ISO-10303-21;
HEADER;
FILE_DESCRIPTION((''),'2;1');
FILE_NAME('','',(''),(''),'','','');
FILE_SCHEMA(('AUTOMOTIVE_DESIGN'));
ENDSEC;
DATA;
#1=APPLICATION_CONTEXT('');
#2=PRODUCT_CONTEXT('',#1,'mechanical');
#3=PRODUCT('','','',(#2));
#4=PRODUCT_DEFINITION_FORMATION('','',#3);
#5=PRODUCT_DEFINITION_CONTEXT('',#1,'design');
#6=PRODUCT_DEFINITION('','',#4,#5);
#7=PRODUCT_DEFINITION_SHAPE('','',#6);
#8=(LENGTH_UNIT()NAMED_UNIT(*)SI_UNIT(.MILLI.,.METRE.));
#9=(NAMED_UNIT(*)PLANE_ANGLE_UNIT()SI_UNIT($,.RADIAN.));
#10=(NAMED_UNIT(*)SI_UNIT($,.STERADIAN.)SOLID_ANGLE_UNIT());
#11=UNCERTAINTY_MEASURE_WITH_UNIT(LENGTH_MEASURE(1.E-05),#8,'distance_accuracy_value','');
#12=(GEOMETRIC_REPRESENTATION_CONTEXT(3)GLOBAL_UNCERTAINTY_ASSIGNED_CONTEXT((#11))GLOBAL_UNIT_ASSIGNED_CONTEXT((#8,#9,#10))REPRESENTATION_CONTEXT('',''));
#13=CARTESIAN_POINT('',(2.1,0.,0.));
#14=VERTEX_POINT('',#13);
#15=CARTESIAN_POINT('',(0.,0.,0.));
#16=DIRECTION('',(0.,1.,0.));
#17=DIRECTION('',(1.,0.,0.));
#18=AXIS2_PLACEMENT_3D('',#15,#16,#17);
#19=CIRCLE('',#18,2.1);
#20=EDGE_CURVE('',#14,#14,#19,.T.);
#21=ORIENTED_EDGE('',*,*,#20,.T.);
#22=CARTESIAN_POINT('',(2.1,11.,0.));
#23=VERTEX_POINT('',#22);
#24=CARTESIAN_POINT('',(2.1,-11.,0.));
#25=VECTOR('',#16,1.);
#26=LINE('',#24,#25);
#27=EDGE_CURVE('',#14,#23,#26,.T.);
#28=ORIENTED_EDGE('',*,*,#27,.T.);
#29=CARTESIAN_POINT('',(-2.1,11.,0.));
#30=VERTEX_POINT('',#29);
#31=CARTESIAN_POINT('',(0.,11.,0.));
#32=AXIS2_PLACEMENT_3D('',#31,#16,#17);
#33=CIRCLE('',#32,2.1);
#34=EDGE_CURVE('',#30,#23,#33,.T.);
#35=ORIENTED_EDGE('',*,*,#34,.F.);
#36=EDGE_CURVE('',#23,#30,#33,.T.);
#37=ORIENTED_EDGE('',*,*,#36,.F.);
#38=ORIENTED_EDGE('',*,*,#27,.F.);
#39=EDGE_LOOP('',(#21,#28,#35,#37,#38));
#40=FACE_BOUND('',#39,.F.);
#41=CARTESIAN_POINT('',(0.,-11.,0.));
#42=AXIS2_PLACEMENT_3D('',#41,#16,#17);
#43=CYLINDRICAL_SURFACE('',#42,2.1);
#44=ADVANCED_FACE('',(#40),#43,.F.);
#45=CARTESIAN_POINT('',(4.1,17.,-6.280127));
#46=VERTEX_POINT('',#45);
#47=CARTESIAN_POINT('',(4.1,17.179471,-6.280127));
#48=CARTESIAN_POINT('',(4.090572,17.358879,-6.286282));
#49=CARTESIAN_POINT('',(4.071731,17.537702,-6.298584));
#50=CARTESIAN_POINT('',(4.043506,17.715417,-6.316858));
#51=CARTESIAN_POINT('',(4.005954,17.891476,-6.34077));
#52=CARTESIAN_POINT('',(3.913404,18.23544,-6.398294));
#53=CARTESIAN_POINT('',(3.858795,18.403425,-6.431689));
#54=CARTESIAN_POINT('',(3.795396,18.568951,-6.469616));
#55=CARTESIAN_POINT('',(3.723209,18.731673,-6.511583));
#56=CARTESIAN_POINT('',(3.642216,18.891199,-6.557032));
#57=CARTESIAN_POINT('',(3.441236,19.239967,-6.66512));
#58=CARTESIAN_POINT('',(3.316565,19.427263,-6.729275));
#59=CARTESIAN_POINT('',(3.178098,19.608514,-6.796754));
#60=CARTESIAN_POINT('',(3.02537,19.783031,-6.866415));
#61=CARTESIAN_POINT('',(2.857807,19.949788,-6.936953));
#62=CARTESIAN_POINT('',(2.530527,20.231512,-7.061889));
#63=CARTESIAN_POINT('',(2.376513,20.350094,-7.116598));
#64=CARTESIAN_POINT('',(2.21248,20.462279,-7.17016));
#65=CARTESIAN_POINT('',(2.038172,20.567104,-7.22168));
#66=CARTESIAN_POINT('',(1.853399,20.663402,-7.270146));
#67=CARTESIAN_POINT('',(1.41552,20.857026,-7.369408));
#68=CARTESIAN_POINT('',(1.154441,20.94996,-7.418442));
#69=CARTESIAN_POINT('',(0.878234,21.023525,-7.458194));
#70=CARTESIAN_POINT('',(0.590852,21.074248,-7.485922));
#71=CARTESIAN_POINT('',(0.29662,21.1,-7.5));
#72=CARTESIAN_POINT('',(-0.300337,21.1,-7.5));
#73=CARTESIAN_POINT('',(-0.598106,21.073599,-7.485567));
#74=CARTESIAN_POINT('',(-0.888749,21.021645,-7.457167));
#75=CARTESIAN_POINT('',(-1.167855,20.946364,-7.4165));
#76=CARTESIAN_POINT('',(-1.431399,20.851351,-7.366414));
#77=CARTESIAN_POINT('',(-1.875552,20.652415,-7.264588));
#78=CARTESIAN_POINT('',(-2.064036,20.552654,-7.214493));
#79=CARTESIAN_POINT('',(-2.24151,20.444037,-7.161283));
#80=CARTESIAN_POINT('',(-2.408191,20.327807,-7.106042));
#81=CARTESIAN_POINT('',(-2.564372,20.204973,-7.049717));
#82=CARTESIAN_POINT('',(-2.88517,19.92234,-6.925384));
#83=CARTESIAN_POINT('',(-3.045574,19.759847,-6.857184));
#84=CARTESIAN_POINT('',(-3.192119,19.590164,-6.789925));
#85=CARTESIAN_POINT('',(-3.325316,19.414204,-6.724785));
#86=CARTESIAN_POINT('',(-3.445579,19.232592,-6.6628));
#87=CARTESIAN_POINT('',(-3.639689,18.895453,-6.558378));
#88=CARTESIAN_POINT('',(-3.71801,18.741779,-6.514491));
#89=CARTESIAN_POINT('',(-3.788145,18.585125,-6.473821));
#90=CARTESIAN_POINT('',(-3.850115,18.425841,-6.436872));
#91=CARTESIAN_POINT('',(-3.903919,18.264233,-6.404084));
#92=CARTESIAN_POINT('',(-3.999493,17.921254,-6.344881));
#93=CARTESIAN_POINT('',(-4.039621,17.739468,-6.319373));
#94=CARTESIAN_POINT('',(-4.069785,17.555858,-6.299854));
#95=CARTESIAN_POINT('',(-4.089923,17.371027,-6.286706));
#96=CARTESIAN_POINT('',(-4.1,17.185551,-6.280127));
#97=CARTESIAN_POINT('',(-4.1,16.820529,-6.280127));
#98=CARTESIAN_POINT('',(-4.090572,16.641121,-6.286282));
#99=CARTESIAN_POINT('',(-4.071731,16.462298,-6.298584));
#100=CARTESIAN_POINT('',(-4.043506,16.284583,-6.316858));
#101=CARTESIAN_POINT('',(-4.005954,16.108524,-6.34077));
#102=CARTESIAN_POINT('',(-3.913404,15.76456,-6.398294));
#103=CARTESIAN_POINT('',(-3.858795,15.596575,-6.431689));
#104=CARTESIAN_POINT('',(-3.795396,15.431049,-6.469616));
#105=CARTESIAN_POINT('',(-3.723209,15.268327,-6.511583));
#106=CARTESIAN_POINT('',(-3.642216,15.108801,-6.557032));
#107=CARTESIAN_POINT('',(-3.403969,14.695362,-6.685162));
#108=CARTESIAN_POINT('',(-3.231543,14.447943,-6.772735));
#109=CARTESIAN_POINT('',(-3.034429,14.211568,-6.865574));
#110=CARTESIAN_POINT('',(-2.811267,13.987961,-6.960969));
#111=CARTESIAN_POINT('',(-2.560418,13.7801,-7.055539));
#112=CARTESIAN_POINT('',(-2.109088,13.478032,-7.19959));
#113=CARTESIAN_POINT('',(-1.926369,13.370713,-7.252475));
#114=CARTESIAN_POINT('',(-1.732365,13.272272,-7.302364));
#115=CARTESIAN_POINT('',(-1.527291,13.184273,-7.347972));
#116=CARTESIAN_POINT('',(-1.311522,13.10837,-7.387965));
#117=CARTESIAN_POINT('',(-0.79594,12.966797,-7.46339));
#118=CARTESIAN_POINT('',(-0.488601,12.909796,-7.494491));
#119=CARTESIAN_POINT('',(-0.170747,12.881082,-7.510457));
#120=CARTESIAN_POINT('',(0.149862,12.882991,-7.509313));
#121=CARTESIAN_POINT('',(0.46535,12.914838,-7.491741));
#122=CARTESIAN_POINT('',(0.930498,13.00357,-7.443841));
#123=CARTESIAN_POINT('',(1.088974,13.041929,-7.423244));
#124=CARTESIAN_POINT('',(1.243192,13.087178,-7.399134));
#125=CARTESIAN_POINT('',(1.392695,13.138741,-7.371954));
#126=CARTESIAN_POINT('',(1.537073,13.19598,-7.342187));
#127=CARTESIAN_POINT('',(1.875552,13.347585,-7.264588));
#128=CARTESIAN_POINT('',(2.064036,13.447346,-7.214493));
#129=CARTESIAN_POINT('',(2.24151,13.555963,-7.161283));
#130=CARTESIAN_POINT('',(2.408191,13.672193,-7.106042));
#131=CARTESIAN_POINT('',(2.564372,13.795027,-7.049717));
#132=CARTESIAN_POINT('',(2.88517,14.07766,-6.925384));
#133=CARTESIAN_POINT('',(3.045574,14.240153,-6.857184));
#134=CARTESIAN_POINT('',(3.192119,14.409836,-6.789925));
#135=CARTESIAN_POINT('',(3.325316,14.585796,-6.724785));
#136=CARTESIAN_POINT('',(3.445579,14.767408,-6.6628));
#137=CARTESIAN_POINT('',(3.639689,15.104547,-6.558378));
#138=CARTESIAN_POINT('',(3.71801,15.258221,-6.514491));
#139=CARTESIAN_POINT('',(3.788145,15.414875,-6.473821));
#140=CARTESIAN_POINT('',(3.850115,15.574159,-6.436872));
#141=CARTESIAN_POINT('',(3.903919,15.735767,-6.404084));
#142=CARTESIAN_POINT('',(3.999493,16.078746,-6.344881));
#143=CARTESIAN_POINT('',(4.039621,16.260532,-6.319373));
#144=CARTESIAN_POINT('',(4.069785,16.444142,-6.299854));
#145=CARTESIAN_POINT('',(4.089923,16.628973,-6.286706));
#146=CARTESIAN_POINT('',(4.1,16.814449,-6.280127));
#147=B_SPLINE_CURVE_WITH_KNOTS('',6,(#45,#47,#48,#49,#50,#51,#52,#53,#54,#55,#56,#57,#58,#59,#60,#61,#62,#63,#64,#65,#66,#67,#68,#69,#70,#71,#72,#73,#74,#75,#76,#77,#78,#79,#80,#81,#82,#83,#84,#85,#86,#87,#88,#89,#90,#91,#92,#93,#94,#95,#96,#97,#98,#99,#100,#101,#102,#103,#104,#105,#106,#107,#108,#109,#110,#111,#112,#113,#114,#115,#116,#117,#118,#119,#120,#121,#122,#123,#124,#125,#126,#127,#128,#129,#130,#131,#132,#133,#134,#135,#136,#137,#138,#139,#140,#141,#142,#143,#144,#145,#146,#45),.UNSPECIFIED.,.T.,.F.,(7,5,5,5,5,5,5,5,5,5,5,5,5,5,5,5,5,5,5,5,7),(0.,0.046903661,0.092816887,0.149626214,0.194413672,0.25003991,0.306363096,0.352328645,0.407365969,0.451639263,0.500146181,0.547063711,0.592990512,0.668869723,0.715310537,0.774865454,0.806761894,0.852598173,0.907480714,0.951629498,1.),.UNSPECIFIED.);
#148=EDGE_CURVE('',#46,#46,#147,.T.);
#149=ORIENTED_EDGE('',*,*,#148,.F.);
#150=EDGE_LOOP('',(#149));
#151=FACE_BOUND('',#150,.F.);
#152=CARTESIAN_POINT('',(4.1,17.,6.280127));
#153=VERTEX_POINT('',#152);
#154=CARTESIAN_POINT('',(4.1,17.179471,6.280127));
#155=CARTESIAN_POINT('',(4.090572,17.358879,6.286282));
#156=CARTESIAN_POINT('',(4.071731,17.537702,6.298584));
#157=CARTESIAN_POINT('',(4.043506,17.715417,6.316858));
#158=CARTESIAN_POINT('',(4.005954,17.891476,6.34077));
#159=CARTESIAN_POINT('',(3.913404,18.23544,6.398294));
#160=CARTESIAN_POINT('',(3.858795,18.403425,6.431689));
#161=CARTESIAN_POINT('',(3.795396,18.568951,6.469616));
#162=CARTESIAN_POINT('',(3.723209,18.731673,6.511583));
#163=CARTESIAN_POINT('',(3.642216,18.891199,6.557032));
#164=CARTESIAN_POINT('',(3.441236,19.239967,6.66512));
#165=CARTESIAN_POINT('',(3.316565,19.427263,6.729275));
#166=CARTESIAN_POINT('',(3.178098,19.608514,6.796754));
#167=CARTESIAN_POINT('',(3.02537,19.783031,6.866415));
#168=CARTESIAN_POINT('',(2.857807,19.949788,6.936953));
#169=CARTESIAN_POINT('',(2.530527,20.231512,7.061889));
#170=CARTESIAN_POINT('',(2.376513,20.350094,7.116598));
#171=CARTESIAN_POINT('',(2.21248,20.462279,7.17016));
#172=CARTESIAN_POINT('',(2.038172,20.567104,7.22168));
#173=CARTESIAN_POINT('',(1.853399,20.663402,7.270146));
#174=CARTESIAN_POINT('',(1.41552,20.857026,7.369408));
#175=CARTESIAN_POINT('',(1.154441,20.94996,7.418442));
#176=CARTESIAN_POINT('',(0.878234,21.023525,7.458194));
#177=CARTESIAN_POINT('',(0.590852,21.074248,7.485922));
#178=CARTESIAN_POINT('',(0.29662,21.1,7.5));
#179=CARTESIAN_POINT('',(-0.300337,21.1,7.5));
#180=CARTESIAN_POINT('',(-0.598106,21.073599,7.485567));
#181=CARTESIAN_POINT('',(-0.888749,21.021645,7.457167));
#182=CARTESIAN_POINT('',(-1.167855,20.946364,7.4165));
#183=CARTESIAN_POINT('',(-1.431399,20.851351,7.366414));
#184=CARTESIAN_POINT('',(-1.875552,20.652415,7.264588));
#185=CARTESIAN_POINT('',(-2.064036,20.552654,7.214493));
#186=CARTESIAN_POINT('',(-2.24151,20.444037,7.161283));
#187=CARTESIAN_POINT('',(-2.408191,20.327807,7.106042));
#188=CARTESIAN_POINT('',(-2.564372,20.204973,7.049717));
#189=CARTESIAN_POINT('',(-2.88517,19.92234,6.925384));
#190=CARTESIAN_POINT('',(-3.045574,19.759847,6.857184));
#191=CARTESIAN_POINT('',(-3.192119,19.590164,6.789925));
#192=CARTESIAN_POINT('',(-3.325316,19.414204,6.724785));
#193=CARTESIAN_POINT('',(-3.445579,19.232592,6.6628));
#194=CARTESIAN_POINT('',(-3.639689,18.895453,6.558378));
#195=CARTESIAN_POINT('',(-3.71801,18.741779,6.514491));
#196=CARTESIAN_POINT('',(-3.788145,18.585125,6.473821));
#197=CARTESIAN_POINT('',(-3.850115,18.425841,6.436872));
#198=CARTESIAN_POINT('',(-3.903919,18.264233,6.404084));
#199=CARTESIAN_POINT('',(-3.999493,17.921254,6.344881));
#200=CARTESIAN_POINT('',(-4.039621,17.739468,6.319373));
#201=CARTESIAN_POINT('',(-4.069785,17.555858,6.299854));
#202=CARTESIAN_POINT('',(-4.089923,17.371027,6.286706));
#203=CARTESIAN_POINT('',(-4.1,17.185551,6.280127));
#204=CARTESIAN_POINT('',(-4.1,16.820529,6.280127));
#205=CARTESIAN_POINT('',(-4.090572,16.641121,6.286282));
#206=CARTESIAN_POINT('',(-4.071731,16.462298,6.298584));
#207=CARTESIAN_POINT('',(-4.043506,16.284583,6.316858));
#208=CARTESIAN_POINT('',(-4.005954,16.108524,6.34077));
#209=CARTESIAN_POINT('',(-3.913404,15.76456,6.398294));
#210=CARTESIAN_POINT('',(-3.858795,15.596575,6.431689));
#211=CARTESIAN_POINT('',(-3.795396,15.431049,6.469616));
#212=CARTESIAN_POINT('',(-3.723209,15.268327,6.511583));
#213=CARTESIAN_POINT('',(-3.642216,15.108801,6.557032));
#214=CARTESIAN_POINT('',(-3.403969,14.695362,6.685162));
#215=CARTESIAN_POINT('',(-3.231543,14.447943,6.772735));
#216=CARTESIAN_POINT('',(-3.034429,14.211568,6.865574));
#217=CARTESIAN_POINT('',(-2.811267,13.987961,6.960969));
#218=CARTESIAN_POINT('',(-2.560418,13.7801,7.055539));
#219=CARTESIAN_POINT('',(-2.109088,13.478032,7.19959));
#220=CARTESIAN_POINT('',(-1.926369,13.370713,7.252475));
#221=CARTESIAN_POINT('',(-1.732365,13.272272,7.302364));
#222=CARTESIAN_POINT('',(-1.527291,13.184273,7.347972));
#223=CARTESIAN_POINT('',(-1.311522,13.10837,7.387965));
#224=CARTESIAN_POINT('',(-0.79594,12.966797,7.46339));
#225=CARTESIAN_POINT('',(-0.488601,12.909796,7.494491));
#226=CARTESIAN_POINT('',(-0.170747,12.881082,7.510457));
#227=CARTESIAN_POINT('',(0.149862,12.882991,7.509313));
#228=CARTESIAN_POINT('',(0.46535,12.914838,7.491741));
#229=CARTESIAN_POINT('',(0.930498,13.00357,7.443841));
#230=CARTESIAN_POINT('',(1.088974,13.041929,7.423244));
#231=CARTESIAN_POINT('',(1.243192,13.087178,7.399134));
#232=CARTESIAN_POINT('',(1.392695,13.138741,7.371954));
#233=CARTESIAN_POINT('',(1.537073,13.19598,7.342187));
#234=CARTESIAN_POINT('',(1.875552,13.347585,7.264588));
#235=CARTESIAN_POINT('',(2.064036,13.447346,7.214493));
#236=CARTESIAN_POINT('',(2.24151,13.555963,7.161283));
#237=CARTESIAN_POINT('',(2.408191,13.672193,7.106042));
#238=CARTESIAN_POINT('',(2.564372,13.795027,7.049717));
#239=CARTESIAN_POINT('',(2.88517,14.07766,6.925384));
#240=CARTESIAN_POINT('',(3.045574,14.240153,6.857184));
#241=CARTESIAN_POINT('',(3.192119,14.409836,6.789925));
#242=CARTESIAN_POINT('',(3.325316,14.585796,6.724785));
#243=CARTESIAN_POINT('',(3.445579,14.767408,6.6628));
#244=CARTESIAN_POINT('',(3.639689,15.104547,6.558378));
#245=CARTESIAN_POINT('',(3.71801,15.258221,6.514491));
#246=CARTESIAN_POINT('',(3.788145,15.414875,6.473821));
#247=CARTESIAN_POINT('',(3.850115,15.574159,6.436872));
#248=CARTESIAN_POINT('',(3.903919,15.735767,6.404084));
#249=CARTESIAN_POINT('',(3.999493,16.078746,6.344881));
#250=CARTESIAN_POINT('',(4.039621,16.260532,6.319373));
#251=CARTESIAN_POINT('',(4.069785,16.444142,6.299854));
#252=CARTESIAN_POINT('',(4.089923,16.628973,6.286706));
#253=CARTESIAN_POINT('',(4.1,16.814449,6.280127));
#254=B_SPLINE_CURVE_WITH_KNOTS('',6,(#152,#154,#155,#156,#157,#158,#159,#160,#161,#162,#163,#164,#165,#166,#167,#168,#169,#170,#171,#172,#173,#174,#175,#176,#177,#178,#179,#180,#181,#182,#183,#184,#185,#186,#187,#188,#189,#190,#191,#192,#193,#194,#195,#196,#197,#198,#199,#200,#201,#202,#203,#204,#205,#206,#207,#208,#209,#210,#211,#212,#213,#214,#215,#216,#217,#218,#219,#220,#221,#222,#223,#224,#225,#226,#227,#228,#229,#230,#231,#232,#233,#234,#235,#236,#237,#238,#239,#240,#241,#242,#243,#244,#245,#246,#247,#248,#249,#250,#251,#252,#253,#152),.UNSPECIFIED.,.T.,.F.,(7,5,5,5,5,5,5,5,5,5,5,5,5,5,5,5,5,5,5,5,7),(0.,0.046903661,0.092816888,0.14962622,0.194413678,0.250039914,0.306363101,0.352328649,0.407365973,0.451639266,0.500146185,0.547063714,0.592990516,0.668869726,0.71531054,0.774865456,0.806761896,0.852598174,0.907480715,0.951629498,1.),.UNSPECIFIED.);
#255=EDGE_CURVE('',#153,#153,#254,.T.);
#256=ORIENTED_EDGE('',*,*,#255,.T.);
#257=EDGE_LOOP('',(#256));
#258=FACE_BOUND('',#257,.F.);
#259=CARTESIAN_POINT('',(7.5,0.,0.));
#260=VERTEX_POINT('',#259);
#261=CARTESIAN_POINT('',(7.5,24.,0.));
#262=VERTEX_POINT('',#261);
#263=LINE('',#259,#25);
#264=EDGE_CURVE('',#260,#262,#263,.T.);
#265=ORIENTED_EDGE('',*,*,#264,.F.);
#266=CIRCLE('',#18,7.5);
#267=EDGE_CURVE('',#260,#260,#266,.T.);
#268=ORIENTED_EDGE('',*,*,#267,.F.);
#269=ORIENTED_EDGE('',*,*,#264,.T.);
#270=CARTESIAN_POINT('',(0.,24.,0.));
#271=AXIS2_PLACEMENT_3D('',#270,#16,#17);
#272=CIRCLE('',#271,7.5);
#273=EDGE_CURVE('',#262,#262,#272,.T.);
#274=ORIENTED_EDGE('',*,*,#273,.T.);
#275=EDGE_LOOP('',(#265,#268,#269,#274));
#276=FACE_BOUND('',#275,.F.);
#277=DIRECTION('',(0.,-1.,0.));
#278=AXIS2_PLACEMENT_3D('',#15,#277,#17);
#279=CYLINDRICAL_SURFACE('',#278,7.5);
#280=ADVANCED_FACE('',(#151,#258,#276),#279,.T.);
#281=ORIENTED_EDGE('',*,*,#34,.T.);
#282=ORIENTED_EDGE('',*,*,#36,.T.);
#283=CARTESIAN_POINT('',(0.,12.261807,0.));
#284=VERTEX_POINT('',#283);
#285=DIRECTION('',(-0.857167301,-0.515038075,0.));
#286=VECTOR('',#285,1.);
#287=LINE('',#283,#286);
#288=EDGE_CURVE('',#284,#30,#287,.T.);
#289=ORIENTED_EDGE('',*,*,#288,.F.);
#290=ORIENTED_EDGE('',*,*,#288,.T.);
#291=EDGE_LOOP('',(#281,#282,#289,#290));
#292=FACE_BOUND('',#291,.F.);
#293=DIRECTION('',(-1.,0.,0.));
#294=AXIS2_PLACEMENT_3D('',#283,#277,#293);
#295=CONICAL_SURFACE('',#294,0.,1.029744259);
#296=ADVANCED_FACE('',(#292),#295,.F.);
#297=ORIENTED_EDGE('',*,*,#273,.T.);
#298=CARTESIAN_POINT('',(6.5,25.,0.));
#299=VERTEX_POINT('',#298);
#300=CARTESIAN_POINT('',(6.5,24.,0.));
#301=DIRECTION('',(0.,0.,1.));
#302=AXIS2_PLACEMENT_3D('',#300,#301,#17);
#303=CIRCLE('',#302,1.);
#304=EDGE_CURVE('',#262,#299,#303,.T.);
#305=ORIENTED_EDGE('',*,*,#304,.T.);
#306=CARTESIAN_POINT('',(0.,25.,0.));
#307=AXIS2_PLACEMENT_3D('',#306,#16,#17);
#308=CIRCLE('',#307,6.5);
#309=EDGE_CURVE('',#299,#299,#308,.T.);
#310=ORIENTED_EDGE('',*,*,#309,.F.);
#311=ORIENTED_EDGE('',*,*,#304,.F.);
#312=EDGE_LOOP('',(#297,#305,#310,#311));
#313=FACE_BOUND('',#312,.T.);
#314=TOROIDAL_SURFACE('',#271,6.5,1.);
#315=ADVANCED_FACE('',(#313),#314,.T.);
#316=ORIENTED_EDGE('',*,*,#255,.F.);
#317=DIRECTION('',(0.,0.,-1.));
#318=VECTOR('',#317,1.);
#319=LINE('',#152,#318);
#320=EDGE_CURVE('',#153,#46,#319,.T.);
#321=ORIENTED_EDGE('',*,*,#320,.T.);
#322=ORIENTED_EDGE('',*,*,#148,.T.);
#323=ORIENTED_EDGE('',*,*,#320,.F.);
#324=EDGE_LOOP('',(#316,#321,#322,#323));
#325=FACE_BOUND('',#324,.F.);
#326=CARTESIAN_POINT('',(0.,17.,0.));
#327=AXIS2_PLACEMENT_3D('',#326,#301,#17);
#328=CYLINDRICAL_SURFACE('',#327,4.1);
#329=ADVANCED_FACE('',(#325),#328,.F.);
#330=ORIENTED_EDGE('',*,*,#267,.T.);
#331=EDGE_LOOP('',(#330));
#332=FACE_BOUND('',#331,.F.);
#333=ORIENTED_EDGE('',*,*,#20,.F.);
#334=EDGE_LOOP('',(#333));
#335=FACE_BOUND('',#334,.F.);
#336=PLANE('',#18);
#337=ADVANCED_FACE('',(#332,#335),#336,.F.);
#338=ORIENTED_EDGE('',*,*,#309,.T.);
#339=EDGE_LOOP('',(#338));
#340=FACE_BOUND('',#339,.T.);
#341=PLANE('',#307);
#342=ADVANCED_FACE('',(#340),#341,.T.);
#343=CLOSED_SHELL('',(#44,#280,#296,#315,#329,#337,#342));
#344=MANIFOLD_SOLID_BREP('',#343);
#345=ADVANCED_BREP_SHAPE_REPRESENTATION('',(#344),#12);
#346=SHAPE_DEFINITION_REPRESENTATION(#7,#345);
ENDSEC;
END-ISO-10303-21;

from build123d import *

# Parameters (mm, degrees)
SKETCH1_R               = 7.5
BOSS_EXTRUDE1_DEPTH     = 25
FILLET1_R               = 1
SKETCH2_R               = 4.1
CUT_EXTRUDE1_DEPTH      = 8.5
CUT_EXTRUDE1_DEPTH_BACK = 8.5
M5_TAPPED_HOLE1_D       = 4.2
M5_TAPPED_HOLE1_DEPTH   = 11
M5_TAPPED_HOLE1_TIP     = 1.2618073


with BuildPart() as part:
    # Sketch1 → Boss-Extrude1 (new body)
    with BuildSketch(Plane(origin=(0, 0, 0), x_dir=(1, 0, 0), z_dir=(0, 1, 0))):
        Circle(SKETCH1_R)
    extrude(amount=BOSS_EXTRUDE1_DEPTH)

    # Fillet1
    fillet1_edges = [part.edges().sort_by_distance(p)[0] for p in [
        (-7.5, 25, 0),
    ]]
    fillet(fillet1_edges, radius=FILLET1_R)

    # Sketch2 → Cut-Extrude1 (cut, two sides)
    with BuildSketch(Plane.XY) as cut_extrude1_sk:
        with Locations((0, 17)):
            Circle(SKETCH2_R)
    extrude(amount=CUT_EXTRUDE1_DEPTH, mode=Mode.SUBTRACT)
    extrude(cut_extrude1_sk.sketch, amount=-CUT_EXTRUDE1_DEPTH_BACK, mode=Mode.SUBTRACT)

    # M5 Tapped Hole1
    with Locations(Plane(origin=(0, 0, 0), x_dir=(-1, 0, 0), z_dir=(0, -1, 0))):
        with Locations((0, 0)):
            Hole(M5_TAPPED_HOLE1_D / 2, depth=M5_TAPPED_HOLE1_DEPTH)
            with Locations((0, 0, -(M5_TAPPED_HOLE1_DEPTH + M5_TAPPED_HOLE1_TIP / 2))):  # 118° drill point
                Cone(0, M5_TAPPED_HOLE1_D / 2, M5_TAPPED_HOLE1_TIP, mode=Mode.SUBTRACT)


solid = part.part
